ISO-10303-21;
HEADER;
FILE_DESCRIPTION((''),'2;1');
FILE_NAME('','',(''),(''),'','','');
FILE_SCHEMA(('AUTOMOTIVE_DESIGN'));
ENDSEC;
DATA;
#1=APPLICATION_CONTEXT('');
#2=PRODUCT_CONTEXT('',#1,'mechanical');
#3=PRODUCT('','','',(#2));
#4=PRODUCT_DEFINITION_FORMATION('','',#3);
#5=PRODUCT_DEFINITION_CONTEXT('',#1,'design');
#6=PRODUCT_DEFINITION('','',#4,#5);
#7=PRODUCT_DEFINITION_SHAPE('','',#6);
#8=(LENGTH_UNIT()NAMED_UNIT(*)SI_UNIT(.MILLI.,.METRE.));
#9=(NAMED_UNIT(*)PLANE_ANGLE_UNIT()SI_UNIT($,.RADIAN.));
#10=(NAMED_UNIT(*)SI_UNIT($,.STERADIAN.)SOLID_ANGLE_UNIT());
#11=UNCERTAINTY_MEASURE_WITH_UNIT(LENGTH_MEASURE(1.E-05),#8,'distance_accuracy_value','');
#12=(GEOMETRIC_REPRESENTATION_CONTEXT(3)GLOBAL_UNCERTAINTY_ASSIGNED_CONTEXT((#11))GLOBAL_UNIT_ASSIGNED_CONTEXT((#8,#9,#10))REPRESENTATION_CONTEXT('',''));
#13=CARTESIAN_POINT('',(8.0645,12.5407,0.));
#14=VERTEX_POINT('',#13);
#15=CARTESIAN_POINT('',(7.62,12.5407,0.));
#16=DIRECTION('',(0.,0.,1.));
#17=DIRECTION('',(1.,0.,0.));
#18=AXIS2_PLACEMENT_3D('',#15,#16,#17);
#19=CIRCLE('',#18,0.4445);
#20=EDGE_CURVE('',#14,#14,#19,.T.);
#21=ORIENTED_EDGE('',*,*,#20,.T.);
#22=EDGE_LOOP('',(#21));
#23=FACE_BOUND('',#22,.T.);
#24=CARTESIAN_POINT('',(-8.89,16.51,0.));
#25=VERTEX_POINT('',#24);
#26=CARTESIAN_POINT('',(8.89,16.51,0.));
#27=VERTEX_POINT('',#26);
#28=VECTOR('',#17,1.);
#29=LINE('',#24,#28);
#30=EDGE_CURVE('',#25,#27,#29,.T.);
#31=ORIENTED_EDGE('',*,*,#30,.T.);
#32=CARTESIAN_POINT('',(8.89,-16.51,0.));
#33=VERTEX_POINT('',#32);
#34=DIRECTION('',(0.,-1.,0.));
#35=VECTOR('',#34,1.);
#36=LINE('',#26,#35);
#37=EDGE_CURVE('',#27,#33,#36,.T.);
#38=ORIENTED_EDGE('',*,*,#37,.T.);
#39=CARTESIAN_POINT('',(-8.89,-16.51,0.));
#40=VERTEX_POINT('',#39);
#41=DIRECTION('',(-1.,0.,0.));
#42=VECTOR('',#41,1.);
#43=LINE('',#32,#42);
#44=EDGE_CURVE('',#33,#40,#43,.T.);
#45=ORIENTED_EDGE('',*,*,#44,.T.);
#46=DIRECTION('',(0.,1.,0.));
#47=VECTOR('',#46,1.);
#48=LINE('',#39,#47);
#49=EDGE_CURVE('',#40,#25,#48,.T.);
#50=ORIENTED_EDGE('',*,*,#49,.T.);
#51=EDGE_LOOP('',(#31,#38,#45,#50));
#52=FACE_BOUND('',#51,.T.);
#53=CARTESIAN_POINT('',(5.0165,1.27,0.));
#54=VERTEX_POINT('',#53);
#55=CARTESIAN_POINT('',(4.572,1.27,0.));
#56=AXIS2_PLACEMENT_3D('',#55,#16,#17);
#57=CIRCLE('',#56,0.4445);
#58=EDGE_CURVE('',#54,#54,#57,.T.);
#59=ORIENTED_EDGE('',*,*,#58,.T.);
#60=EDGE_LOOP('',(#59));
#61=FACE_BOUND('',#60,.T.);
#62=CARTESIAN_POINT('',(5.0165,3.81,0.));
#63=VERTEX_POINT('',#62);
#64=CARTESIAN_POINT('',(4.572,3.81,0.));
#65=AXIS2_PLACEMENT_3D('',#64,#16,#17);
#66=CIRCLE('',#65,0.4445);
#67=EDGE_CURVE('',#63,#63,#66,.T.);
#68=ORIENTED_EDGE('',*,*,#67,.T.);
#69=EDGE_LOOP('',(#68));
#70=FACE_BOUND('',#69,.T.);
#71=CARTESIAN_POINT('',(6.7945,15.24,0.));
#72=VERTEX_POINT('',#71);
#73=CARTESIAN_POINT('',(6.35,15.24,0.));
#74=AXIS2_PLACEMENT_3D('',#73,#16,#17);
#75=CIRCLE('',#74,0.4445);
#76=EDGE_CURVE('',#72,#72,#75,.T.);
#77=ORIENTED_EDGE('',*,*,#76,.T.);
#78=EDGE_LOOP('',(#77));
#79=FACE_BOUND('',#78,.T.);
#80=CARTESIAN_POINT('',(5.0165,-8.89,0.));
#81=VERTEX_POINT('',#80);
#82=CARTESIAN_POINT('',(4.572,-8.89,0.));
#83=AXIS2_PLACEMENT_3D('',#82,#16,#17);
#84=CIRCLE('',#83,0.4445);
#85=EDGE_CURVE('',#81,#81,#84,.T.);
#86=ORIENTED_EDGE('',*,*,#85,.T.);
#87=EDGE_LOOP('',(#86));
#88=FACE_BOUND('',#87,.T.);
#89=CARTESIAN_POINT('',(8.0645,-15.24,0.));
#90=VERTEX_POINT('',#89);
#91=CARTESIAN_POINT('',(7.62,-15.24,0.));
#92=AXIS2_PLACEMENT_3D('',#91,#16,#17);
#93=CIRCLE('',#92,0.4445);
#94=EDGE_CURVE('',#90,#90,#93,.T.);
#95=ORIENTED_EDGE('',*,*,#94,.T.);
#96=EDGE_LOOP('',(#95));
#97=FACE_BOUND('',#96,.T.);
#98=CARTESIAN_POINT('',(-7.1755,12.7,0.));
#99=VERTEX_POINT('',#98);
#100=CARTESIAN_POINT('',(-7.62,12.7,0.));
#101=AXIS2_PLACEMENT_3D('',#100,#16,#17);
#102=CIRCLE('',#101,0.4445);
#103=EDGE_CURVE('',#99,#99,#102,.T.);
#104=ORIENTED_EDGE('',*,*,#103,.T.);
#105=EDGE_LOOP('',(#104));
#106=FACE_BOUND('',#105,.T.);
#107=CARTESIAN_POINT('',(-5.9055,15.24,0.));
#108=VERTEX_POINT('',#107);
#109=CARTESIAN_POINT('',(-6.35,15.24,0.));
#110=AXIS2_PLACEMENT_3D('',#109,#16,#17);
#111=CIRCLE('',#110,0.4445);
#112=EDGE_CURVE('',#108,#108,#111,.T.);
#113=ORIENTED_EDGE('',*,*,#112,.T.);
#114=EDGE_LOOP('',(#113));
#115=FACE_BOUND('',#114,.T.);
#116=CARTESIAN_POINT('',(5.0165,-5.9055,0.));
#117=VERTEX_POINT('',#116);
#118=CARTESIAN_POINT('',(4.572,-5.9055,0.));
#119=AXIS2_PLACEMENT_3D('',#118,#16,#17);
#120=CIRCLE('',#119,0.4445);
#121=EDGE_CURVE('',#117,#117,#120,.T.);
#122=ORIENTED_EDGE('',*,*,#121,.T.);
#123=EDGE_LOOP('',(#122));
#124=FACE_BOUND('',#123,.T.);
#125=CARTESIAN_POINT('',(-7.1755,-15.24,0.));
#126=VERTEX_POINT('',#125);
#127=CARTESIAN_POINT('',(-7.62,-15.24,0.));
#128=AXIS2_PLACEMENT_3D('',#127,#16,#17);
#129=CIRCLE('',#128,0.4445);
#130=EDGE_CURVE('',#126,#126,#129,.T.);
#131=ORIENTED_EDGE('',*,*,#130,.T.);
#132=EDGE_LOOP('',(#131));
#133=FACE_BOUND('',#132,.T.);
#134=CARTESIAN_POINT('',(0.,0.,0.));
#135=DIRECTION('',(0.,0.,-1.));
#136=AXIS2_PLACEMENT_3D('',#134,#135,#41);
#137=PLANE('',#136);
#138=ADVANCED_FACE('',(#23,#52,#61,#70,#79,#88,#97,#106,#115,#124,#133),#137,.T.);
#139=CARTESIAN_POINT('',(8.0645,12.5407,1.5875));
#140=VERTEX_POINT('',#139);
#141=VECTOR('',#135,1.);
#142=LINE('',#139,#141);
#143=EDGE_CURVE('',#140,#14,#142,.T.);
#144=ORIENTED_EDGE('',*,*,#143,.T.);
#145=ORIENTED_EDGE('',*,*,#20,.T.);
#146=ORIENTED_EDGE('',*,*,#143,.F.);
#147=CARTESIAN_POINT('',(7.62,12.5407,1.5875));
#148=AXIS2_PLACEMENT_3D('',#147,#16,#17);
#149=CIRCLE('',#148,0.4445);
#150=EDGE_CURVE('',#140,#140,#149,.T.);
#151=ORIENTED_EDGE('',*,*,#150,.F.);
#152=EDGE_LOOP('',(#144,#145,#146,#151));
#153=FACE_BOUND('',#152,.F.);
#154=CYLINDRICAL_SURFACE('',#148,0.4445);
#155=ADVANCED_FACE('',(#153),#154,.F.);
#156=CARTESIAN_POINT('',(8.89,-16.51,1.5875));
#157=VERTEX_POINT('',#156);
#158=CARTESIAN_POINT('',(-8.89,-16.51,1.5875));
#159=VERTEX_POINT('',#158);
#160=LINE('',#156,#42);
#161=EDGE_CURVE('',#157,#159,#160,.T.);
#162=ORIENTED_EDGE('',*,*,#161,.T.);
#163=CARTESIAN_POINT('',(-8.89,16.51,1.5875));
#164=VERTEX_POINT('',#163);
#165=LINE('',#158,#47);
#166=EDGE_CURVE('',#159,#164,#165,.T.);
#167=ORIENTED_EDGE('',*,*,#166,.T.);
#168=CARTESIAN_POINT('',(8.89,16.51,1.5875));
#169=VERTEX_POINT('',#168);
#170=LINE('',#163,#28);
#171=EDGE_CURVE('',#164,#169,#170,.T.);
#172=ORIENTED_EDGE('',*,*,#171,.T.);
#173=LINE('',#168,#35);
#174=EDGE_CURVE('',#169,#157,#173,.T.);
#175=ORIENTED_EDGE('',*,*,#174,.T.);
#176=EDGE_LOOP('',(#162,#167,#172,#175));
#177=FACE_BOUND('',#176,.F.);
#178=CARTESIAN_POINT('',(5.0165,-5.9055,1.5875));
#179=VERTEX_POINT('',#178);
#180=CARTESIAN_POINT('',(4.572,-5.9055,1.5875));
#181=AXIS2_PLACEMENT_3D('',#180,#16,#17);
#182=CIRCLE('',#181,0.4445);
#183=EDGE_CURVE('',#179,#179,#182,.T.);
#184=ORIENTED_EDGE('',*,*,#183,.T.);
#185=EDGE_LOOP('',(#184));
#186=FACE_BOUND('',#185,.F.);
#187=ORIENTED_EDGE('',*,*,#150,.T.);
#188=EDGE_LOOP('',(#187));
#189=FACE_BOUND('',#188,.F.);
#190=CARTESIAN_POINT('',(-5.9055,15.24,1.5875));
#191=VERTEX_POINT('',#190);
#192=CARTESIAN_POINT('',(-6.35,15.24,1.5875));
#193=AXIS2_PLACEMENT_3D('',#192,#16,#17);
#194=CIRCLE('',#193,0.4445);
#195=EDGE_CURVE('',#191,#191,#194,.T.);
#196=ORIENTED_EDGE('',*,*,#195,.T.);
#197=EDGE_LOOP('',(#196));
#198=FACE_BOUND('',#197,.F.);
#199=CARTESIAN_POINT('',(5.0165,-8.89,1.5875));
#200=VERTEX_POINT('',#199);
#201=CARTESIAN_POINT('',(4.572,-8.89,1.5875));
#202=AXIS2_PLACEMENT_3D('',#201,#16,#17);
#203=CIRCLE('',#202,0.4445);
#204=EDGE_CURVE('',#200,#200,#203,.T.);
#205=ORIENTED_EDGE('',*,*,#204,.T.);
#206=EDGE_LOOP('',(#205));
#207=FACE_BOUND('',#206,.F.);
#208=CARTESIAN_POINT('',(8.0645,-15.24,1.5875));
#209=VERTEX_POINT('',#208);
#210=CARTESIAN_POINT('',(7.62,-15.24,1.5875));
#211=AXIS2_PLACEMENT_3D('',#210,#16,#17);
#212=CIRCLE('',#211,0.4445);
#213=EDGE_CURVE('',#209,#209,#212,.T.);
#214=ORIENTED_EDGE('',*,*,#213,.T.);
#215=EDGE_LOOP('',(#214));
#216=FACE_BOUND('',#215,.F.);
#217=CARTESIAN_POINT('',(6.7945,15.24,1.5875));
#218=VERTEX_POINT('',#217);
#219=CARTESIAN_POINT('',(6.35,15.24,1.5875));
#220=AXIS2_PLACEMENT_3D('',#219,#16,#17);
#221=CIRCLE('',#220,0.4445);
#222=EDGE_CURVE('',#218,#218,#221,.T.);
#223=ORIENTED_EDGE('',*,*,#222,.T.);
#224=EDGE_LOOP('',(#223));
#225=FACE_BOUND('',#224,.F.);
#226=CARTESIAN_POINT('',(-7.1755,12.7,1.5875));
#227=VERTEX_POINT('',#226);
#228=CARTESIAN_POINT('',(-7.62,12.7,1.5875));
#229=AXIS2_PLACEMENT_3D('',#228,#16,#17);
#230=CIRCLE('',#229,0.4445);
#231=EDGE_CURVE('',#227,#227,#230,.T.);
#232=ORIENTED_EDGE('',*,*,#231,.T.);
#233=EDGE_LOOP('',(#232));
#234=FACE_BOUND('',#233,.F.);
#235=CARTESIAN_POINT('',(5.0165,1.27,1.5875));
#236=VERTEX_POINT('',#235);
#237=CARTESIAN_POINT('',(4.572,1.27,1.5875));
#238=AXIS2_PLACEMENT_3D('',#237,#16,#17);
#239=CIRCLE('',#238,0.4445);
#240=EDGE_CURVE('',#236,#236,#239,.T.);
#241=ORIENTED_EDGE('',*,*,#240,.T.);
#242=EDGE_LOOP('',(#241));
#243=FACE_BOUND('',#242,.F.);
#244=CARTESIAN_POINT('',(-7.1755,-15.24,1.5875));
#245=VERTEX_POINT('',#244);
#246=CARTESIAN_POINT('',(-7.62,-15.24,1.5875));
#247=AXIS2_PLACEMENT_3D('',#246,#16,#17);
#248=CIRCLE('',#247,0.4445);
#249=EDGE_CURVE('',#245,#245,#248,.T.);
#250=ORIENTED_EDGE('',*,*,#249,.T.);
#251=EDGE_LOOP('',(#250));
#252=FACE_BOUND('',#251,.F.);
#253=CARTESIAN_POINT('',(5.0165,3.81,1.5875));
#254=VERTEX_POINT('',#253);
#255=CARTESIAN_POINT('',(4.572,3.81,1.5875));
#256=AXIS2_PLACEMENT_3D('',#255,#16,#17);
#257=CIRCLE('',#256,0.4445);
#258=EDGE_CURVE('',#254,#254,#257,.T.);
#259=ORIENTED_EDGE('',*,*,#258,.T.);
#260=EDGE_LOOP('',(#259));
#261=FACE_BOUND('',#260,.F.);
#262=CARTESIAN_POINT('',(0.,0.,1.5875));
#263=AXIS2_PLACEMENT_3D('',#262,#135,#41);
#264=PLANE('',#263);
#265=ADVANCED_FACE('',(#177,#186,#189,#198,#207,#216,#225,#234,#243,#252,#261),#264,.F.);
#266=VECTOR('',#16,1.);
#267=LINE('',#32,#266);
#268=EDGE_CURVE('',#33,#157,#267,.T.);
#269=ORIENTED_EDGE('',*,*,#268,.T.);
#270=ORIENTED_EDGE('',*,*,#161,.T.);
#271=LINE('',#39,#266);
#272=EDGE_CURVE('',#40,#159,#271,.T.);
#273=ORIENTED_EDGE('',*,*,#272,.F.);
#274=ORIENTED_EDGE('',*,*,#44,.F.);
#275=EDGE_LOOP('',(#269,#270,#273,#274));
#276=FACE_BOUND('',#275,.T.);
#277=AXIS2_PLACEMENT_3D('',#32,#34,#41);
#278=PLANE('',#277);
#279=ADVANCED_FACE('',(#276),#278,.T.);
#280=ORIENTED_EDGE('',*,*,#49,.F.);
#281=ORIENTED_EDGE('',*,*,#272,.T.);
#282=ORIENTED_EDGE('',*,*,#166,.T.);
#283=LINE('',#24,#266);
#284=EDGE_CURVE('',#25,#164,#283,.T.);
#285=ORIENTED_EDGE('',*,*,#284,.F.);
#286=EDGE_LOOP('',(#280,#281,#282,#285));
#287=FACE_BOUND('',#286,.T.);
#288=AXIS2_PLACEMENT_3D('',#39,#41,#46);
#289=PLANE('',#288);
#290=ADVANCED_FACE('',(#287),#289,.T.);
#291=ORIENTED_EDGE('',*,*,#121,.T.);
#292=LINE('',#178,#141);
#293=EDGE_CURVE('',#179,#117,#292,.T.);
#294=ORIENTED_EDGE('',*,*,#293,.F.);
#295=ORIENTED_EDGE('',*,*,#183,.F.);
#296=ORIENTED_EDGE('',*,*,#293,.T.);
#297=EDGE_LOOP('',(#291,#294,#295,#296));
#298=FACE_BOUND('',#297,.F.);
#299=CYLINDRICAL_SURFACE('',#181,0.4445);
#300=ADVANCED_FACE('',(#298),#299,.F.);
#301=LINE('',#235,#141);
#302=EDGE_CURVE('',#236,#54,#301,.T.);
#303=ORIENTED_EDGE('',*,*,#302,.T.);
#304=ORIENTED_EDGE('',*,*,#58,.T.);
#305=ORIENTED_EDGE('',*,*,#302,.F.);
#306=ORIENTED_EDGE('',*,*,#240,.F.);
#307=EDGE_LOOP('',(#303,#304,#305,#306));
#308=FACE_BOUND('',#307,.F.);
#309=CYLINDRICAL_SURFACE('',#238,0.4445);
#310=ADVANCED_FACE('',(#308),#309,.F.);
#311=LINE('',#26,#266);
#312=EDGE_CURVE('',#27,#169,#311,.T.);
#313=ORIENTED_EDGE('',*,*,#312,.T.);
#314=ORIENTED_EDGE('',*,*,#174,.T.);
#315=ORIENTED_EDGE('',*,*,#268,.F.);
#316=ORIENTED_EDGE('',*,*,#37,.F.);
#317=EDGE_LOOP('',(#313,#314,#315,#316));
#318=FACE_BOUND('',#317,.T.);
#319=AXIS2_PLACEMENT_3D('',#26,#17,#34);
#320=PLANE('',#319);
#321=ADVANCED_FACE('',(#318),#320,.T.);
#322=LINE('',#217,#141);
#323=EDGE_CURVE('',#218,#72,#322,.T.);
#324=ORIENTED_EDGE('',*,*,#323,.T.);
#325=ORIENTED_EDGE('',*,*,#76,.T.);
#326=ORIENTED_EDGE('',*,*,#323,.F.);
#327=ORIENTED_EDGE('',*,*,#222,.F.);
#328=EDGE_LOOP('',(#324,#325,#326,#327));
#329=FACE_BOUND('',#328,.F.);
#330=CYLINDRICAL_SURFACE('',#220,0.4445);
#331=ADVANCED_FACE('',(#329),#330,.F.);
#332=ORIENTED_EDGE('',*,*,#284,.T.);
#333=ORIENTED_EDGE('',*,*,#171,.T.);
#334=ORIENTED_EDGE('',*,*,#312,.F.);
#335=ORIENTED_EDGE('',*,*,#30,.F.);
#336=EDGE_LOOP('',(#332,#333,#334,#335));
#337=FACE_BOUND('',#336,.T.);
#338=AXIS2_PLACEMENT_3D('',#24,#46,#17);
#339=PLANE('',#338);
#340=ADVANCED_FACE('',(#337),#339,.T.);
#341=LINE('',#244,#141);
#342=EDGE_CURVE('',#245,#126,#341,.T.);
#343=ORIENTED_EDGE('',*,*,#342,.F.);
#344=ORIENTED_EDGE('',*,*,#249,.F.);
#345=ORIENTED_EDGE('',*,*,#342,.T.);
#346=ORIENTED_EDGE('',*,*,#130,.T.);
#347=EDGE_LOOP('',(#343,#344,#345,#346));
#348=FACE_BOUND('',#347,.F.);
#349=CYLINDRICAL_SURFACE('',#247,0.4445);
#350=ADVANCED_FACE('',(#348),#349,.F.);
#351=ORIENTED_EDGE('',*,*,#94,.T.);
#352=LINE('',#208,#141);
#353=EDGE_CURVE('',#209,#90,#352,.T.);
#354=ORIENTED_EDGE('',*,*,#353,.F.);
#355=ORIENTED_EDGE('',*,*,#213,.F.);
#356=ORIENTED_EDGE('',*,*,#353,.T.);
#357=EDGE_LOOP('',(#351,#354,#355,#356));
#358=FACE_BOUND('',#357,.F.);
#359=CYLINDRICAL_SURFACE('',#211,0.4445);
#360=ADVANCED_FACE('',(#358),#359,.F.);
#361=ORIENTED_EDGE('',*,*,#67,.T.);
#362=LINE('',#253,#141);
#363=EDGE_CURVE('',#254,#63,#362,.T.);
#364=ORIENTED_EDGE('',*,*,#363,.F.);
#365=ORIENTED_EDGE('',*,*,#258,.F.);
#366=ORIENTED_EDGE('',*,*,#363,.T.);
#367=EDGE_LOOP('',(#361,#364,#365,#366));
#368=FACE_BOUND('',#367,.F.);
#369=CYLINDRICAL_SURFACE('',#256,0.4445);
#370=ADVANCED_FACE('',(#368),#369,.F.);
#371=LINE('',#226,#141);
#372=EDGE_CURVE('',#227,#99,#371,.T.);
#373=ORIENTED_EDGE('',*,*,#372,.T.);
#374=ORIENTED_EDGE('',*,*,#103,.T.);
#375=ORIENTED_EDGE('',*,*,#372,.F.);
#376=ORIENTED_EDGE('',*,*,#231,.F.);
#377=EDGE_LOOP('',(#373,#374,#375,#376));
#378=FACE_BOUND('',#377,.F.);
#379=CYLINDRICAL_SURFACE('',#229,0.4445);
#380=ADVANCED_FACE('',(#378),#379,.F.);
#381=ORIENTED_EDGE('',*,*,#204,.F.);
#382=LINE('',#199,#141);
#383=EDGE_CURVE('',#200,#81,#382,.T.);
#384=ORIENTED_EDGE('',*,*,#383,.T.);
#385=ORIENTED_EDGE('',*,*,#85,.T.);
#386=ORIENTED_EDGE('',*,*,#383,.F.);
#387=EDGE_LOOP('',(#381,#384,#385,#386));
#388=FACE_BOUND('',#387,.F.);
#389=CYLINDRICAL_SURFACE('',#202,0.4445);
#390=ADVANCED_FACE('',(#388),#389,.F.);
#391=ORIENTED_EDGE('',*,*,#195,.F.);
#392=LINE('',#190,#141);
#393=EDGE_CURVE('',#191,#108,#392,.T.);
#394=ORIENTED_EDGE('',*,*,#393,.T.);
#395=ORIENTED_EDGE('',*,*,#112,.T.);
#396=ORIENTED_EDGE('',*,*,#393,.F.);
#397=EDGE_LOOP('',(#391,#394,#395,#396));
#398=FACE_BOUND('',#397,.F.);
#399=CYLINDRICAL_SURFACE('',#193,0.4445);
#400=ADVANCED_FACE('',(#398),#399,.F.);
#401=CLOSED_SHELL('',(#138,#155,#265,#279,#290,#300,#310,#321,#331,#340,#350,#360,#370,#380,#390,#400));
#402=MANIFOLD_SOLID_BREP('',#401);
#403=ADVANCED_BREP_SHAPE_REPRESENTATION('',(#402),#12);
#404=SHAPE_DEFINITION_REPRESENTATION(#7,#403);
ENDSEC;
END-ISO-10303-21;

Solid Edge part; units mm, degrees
sketch "Sketch1" plane through (0, 0, 0) normal (0, 0, 1) x (1, 0, 0)
  line L0 (-8.89, 16.51) -> (8.89, 16.51)
  line L1 (8.89, 16.51) -> (8.89, -16.51)
  line L2 (8.89, -16.51) -> (-8.89, -16.51)
  line L3 (-8.89, -16.51) -> (-8.89, 16.51)
extrude "Protrusion1" add sketch "Sketch1" along normal blind 1.5875
sketch "Sketch2" plane through (0, 0, 1.5875) normal (0, 0, 1) x (1, 0, 0)
  circle A0 centre (7.62, -15.24) radius 0.4445
  circle A1 centre (4.572, -8.89) radius 0.4445
  circle A2 centre (4.572, -5.9055) radius 0.4445
  circle A3 centre (4.572, 1.27) radius 0.4445
  circle A4 centre (4.572, 3.81) radius 0.4445
  circle A5 centre (7.62, 12.5407) radius 0.4445
  circle A6 centre (6.35, 15.24) radius 0.4445
  circle A7 centre (-6.35, 15.24) radius 0.4445
  circle A8 centre (-7.62, 12.7) radius 0.4445
  circle A9 centre (-7.62, -15.24) radius 0.4445
  dimension "D1" = 1.27
  dimension "D2" = 2.54
  dimension "D3" = 0.889
  dimension "D4" = 3.81
  dimension "D5" = 1.27
  dimension "D6" = 4.318
  dimension "D7" = 12.7
  dimension "D8" = 7.62
  dimension "D9" = 2.54
  dimension "D10" = 27.94
  dimension "D11" = 12.7
extrude "Cutout1" cut sketch "Sketch2" against normal through all
